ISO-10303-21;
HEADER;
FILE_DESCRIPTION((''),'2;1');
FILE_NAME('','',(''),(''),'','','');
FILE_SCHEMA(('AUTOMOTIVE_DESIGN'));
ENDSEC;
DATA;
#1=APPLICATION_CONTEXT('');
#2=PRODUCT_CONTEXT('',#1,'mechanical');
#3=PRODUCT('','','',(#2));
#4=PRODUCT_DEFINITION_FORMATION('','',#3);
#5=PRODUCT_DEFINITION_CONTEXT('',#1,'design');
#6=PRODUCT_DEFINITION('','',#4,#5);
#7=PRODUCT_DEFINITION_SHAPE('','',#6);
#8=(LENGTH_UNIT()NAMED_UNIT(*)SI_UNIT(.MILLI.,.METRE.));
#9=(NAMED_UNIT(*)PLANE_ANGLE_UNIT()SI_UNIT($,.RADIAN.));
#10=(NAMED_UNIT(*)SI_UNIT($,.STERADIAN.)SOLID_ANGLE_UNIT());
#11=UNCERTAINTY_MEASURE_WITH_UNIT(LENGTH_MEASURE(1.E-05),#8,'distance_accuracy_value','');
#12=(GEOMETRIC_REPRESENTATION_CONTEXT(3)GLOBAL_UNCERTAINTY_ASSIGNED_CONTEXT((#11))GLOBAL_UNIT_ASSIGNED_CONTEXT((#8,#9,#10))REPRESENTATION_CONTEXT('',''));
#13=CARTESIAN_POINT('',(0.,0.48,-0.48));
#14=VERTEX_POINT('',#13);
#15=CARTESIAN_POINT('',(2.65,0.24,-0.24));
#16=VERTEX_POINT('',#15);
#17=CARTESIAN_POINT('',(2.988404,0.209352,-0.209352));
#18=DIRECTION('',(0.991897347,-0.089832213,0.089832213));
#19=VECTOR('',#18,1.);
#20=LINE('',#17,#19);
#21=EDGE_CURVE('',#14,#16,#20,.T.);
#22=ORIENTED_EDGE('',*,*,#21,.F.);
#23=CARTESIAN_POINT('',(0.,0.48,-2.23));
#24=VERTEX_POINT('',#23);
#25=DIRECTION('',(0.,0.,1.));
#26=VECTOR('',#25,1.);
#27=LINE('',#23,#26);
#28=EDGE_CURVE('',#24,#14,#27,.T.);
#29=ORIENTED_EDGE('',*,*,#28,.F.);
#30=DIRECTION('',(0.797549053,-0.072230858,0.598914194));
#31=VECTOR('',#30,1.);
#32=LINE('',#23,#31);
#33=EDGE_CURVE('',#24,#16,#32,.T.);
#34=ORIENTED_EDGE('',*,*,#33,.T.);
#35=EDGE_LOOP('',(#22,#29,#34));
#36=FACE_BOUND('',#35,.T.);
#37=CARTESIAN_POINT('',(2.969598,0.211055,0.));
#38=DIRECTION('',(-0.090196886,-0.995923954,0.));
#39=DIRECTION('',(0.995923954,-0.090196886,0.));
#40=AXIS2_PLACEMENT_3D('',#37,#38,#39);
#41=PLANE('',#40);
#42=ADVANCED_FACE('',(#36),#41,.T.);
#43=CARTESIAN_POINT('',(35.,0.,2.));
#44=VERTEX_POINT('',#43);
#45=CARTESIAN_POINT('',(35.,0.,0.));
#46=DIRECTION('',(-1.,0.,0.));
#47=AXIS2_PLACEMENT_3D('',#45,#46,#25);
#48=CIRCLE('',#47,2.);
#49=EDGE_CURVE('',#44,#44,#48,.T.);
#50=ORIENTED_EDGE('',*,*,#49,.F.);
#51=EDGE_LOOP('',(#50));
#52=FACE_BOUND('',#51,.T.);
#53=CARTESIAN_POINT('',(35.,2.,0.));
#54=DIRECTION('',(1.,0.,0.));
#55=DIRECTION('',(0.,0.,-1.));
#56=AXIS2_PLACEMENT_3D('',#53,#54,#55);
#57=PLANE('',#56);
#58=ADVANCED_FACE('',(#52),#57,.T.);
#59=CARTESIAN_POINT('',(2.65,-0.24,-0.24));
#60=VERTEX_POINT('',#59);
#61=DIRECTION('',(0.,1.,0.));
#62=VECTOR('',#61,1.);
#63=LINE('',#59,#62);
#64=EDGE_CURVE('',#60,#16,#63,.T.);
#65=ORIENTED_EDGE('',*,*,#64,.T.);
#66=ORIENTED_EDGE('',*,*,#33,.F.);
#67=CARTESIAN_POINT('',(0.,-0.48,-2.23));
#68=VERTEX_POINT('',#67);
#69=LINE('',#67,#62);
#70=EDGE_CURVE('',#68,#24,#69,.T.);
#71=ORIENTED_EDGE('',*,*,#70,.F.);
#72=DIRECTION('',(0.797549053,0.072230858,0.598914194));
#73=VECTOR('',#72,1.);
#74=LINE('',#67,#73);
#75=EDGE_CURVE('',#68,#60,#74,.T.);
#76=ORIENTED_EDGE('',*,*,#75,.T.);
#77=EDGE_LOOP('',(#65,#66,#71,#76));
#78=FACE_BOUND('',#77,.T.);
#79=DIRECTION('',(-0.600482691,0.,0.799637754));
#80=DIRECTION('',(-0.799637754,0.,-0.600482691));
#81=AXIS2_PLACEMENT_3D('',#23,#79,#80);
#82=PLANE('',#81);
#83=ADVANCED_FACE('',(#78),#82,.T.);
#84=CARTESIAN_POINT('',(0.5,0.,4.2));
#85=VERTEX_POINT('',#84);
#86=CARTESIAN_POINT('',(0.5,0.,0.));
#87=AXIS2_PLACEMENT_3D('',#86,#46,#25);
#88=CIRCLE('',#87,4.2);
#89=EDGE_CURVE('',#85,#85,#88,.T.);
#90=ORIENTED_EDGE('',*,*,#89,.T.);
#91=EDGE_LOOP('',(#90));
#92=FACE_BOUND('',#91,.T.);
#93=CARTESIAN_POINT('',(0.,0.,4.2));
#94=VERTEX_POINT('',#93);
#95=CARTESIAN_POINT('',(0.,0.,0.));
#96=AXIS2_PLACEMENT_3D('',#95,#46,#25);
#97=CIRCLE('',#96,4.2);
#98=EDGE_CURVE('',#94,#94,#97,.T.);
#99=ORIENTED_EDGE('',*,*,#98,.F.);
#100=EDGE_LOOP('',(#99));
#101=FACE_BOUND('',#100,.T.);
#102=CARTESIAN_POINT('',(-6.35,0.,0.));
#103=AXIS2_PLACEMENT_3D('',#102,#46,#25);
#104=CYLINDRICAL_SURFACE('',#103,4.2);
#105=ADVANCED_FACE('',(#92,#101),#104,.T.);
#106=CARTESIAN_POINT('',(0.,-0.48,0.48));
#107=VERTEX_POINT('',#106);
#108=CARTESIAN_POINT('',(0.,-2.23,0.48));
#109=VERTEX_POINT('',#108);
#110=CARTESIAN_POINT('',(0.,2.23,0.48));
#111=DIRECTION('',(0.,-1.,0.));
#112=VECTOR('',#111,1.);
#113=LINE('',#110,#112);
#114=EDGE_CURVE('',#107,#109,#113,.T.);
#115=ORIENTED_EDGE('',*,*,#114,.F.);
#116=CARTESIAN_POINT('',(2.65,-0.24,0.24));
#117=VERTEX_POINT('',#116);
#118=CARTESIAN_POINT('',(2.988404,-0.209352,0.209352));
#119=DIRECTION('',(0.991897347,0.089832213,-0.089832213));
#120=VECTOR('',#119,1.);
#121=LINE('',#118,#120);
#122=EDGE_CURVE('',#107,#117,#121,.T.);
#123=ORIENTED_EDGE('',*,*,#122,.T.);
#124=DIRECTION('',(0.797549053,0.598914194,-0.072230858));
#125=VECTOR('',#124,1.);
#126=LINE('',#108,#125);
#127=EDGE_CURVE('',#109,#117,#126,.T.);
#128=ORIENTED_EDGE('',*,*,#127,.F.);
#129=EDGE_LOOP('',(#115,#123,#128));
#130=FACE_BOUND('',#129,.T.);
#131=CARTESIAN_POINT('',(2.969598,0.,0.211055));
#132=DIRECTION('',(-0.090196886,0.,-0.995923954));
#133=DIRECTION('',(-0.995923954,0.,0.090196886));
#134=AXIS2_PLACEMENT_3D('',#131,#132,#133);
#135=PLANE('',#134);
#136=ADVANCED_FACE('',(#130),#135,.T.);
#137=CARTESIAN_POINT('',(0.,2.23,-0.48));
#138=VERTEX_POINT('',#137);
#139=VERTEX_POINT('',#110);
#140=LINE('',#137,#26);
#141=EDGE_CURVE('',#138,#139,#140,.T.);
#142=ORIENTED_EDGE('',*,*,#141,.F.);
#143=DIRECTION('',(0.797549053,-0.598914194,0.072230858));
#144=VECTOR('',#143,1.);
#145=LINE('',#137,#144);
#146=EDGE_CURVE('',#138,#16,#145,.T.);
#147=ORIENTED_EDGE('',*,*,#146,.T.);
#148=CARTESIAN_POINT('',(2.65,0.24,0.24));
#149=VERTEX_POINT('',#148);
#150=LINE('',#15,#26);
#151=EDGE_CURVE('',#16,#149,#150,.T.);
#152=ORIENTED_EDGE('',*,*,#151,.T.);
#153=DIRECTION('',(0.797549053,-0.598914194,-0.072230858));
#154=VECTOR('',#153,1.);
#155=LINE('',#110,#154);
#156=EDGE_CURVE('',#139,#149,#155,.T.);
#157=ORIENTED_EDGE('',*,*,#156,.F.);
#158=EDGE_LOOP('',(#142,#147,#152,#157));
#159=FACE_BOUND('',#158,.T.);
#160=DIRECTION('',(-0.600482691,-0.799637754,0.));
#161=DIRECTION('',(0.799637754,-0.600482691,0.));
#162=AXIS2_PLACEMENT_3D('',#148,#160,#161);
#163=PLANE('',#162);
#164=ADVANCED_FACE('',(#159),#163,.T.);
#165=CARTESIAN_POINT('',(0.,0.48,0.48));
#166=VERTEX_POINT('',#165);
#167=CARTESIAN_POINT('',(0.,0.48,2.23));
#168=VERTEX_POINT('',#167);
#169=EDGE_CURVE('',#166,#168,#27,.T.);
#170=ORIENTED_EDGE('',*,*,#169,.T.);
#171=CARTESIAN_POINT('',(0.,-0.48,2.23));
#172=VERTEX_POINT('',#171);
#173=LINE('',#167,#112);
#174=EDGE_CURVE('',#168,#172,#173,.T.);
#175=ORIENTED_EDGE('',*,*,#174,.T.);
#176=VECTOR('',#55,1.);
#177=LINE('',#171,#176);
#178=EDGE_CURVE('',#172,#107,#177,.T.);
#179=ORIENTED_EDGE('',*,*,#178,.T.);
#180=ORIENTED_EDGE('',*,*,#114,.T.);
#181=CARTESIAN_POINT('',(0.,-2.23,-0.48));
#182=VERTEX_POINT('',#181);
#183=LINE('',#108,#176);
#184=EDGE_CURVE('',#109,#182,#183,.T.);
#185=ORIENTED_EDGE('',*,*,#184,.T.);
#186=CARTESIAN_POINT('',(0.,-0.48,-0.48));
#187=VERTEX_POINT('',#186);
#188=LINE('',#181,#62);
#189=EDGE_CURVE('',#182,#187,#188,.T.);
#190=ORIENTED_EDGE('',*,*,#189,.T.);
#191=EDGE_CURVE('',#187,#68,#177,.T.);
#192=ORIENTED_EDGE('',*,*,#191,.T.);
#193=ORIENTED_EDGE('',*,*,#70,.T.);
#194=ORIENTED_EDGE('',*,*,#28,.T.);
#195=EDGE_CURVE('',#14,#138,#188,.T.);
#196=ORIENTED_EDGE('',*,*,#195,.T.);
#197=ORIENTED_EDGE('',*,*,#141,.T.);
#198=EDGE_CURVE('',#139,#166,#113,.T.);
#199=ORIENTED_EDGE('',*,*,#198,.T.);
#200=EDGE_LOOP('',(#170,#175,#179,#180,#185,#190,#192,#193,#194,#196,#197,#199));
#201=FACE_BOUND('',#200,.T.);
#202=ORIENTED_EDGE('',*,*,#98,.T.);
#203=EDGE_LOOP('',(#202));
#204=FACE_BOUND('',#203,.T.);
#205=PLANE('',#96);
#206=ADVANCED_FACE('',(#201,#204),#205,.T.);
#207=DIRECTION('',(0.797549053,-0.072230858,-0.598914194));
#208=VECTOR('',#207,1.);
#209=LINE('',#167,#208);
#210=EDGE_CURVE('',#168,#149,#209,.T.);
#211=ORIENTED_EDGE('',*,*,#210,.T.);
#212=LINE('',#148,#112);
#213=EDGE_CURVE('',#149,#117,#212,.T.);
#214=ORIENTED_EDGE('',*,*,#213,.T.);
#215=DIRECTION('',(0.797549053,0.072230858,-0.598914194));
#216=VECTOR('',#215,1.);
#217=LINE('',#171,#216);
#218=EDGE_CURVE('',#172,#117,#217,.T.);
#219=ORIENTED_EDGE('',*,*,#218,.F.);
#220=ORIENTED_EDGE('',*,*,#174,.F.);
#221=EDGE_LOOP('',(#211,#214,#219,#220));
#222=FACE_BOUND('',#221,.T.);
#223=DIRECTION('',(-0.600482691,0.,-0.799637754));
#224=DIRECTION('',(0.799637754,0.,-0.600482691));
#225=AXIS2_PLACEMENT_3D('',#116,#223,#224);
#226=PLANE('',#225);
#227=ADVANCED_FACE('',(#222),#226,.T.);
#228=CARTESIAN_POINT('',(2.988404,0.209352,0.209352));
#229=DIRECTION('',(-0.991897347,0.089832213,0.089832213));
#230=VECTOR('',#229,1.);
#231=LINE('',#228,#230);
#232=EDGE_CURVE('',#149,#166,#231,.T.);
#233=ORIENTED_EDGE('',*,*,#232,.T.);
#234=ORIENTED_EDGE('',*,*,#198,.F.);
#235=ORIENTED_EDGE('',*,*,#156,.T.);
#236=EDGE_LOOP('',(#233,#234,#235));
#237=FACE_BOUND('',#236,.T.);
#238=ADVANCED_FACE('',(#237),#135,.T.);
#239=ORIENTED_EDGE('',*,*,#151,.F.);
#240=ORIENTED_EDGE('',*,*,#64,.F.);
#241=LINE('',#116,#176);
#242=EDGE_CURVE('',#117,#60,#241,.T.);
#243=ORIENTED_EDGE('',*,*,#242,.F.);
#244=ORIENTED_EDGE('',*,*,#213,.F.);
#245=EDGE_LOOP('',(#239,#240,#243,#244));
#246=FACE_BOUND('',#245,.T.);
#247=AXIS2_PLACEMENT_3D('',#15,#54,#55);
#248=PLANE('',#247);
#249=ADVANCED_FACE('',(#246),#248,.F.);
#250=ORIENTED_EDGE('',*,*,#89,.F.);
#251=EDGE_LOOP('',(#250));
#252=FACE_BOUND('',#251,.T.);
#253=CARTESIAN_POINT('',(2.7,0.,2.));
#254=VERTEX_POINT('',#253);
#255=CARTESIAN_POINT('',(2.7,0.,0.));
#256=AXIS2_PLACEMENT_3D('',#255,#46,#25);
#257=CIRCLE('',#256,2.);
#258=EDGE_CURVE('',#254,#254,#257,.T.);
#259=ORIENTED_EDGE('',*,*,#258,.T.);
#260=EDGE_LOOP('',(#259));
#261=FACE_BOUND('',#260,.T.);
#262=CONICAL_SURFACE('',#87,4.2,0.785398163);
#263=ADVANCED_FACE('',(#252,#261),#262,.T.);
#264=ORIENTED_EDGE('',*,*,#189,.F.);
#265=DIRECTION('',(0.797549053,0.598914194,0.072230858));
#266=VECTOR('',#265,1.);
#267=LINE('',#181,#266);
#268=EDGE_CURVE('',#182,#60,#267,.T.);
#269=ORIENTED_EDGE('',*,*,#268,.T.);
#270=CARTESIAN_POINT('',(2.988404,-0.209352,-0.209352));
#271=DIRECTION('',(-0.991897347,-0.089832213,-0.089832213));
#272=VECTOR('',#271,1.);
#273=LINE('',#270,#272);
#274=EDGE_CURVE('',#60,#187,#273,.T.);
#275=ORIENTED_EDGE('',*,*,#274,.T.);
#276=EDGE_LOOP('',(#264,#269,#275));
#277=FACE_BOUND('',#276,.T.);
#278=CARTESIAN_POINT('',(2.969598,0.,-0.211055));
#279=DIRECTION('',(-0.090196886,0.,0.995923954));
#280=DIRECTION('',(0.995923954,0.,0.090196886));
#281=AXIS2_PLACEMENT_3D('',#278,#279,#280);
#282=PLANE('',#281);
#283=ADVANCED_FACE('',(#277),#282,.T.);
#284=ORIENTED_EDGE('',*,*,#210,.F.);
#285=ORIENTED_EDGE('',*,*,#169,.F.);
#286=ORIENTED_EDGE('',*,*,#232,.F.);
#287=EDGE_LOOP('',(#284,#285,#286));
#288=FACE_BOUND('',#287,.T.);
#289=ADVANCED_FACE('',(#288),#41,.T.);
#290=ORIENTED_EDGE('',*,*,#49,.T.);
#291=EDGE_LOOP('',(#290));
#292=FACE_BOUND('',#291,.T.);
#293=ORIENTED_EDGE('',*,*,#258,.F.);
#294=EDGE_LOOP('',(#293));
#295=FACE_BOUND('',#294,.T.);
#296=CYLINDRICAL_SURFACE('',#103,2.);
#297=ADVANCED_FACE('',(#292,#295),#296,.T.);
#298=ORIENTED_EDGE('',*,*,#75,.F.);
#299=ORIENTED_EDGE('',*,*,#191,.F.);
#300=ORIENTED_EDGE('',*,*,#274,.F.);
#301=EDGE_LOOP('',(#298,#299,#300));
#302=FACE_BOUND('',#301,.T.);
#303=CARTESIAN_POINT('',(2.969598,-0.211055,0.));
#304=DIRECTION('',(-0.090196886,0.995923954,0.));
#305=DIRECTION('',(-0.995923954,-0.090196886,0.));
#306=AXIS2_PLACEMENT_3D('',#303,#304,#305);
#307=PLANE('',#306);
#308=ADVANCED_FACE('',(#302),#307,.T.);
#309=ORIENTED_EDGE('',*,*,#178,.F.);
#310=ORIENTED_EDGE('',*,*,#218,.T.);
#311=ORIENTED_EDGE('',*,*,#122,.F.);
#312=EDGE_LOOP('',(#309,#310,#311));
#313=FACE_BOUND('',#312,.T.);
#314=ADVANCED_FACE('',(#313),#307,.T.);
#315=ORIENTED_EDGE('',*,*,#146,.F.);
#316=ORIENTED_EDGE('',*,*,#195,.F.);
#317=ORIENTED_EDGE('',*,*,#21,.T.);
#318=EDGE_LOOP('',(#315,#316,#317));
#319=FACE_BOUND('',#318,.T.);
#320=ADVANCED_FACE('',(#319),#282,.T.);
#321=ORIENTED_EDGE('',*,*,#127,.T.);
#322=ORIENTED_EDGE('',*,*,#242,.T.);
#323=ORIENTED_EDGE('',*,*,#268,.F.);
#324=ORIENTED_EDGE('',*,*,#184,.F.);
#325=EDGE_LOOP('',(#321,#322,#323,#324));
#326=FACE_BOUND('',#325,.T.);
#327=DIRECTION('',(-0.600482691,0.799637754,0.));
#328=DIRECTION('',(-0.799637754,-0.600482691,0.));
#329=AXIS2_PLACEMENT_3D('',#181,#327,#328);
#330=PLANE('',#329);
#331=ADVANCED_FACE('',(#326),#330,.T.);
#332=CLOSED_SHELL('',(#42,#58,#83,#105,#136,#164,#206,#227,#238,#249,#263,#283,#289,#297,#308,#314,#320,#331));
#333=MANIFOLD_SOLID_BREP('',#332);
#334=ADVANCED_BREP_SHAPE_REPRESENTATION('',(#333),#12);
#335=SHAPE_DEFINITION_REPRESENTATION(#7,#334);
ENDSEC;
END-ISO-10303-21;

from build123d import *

# Parameters (mm, degrees)
CIRPATTERN1_COUNT = 2
CIRPATTERN1_ANGLE = 90


with BuildPart() as part:
    # BodySke → Base-Revolve (revolve)
    with BuildSketch(Plane.XY, mode=Mode.PRIVATE) as base_revolve_sk:
        Polygon((0, 0), (0, 4.2), (0.5, 4.2), (2.7, 2), (35, 2), (35, 0), align=None)
    revolve(base_revolve_sk.sketch.rotate(Axis((-6.35, 0, 0), (1, 0, 0)), 90), axis=Axis((-6.35, 0, 0), (1, 0, 0)))

    # Sketch3 → Cross section 0
    with BuildSketch(Plane.ZY):
        with BuildLine():
            Line((-0.48, 2.23), (0.48, 2.23))
            Line((0.48, 2.23), (0.48, -2.23))
            Line((0.48, -2.23), (-0.48, -2.23))
            Line((-0.48, -2.23), (-0.48, 2.23))
        make_face()
    # Sketch4 → Cross section 1
    with BuildSketch(Plane.ZY.offset(-2.65)):
        with BuildLine():
            Line((-0.24, 0.24), (0.24, 0.24))
            Line((0.24, 0.24), (0.24, -0.24))
            Line((0.24, -0.24), (-0.24, -0.24))
            Line((-0.24, -0.24), (-0.24, 0.24))
        make_face()
    cross = loft(mode=Mode.SUBTRACT)

    # CirPattern1: Cross ×2 about axis
    cirpattern1_axis = Axis((0, 0, 0), (1, 0, 0))
    for i in range(1, CIRPATTERN1_COUNT):
        add(cross.rotate(cirpattern1_axis, i * CIRPATTERN1_ANGLE / (CIRPATTERN1_COUNT - 1)), mode=Mode.SUBTRACT)


solid = part.part
